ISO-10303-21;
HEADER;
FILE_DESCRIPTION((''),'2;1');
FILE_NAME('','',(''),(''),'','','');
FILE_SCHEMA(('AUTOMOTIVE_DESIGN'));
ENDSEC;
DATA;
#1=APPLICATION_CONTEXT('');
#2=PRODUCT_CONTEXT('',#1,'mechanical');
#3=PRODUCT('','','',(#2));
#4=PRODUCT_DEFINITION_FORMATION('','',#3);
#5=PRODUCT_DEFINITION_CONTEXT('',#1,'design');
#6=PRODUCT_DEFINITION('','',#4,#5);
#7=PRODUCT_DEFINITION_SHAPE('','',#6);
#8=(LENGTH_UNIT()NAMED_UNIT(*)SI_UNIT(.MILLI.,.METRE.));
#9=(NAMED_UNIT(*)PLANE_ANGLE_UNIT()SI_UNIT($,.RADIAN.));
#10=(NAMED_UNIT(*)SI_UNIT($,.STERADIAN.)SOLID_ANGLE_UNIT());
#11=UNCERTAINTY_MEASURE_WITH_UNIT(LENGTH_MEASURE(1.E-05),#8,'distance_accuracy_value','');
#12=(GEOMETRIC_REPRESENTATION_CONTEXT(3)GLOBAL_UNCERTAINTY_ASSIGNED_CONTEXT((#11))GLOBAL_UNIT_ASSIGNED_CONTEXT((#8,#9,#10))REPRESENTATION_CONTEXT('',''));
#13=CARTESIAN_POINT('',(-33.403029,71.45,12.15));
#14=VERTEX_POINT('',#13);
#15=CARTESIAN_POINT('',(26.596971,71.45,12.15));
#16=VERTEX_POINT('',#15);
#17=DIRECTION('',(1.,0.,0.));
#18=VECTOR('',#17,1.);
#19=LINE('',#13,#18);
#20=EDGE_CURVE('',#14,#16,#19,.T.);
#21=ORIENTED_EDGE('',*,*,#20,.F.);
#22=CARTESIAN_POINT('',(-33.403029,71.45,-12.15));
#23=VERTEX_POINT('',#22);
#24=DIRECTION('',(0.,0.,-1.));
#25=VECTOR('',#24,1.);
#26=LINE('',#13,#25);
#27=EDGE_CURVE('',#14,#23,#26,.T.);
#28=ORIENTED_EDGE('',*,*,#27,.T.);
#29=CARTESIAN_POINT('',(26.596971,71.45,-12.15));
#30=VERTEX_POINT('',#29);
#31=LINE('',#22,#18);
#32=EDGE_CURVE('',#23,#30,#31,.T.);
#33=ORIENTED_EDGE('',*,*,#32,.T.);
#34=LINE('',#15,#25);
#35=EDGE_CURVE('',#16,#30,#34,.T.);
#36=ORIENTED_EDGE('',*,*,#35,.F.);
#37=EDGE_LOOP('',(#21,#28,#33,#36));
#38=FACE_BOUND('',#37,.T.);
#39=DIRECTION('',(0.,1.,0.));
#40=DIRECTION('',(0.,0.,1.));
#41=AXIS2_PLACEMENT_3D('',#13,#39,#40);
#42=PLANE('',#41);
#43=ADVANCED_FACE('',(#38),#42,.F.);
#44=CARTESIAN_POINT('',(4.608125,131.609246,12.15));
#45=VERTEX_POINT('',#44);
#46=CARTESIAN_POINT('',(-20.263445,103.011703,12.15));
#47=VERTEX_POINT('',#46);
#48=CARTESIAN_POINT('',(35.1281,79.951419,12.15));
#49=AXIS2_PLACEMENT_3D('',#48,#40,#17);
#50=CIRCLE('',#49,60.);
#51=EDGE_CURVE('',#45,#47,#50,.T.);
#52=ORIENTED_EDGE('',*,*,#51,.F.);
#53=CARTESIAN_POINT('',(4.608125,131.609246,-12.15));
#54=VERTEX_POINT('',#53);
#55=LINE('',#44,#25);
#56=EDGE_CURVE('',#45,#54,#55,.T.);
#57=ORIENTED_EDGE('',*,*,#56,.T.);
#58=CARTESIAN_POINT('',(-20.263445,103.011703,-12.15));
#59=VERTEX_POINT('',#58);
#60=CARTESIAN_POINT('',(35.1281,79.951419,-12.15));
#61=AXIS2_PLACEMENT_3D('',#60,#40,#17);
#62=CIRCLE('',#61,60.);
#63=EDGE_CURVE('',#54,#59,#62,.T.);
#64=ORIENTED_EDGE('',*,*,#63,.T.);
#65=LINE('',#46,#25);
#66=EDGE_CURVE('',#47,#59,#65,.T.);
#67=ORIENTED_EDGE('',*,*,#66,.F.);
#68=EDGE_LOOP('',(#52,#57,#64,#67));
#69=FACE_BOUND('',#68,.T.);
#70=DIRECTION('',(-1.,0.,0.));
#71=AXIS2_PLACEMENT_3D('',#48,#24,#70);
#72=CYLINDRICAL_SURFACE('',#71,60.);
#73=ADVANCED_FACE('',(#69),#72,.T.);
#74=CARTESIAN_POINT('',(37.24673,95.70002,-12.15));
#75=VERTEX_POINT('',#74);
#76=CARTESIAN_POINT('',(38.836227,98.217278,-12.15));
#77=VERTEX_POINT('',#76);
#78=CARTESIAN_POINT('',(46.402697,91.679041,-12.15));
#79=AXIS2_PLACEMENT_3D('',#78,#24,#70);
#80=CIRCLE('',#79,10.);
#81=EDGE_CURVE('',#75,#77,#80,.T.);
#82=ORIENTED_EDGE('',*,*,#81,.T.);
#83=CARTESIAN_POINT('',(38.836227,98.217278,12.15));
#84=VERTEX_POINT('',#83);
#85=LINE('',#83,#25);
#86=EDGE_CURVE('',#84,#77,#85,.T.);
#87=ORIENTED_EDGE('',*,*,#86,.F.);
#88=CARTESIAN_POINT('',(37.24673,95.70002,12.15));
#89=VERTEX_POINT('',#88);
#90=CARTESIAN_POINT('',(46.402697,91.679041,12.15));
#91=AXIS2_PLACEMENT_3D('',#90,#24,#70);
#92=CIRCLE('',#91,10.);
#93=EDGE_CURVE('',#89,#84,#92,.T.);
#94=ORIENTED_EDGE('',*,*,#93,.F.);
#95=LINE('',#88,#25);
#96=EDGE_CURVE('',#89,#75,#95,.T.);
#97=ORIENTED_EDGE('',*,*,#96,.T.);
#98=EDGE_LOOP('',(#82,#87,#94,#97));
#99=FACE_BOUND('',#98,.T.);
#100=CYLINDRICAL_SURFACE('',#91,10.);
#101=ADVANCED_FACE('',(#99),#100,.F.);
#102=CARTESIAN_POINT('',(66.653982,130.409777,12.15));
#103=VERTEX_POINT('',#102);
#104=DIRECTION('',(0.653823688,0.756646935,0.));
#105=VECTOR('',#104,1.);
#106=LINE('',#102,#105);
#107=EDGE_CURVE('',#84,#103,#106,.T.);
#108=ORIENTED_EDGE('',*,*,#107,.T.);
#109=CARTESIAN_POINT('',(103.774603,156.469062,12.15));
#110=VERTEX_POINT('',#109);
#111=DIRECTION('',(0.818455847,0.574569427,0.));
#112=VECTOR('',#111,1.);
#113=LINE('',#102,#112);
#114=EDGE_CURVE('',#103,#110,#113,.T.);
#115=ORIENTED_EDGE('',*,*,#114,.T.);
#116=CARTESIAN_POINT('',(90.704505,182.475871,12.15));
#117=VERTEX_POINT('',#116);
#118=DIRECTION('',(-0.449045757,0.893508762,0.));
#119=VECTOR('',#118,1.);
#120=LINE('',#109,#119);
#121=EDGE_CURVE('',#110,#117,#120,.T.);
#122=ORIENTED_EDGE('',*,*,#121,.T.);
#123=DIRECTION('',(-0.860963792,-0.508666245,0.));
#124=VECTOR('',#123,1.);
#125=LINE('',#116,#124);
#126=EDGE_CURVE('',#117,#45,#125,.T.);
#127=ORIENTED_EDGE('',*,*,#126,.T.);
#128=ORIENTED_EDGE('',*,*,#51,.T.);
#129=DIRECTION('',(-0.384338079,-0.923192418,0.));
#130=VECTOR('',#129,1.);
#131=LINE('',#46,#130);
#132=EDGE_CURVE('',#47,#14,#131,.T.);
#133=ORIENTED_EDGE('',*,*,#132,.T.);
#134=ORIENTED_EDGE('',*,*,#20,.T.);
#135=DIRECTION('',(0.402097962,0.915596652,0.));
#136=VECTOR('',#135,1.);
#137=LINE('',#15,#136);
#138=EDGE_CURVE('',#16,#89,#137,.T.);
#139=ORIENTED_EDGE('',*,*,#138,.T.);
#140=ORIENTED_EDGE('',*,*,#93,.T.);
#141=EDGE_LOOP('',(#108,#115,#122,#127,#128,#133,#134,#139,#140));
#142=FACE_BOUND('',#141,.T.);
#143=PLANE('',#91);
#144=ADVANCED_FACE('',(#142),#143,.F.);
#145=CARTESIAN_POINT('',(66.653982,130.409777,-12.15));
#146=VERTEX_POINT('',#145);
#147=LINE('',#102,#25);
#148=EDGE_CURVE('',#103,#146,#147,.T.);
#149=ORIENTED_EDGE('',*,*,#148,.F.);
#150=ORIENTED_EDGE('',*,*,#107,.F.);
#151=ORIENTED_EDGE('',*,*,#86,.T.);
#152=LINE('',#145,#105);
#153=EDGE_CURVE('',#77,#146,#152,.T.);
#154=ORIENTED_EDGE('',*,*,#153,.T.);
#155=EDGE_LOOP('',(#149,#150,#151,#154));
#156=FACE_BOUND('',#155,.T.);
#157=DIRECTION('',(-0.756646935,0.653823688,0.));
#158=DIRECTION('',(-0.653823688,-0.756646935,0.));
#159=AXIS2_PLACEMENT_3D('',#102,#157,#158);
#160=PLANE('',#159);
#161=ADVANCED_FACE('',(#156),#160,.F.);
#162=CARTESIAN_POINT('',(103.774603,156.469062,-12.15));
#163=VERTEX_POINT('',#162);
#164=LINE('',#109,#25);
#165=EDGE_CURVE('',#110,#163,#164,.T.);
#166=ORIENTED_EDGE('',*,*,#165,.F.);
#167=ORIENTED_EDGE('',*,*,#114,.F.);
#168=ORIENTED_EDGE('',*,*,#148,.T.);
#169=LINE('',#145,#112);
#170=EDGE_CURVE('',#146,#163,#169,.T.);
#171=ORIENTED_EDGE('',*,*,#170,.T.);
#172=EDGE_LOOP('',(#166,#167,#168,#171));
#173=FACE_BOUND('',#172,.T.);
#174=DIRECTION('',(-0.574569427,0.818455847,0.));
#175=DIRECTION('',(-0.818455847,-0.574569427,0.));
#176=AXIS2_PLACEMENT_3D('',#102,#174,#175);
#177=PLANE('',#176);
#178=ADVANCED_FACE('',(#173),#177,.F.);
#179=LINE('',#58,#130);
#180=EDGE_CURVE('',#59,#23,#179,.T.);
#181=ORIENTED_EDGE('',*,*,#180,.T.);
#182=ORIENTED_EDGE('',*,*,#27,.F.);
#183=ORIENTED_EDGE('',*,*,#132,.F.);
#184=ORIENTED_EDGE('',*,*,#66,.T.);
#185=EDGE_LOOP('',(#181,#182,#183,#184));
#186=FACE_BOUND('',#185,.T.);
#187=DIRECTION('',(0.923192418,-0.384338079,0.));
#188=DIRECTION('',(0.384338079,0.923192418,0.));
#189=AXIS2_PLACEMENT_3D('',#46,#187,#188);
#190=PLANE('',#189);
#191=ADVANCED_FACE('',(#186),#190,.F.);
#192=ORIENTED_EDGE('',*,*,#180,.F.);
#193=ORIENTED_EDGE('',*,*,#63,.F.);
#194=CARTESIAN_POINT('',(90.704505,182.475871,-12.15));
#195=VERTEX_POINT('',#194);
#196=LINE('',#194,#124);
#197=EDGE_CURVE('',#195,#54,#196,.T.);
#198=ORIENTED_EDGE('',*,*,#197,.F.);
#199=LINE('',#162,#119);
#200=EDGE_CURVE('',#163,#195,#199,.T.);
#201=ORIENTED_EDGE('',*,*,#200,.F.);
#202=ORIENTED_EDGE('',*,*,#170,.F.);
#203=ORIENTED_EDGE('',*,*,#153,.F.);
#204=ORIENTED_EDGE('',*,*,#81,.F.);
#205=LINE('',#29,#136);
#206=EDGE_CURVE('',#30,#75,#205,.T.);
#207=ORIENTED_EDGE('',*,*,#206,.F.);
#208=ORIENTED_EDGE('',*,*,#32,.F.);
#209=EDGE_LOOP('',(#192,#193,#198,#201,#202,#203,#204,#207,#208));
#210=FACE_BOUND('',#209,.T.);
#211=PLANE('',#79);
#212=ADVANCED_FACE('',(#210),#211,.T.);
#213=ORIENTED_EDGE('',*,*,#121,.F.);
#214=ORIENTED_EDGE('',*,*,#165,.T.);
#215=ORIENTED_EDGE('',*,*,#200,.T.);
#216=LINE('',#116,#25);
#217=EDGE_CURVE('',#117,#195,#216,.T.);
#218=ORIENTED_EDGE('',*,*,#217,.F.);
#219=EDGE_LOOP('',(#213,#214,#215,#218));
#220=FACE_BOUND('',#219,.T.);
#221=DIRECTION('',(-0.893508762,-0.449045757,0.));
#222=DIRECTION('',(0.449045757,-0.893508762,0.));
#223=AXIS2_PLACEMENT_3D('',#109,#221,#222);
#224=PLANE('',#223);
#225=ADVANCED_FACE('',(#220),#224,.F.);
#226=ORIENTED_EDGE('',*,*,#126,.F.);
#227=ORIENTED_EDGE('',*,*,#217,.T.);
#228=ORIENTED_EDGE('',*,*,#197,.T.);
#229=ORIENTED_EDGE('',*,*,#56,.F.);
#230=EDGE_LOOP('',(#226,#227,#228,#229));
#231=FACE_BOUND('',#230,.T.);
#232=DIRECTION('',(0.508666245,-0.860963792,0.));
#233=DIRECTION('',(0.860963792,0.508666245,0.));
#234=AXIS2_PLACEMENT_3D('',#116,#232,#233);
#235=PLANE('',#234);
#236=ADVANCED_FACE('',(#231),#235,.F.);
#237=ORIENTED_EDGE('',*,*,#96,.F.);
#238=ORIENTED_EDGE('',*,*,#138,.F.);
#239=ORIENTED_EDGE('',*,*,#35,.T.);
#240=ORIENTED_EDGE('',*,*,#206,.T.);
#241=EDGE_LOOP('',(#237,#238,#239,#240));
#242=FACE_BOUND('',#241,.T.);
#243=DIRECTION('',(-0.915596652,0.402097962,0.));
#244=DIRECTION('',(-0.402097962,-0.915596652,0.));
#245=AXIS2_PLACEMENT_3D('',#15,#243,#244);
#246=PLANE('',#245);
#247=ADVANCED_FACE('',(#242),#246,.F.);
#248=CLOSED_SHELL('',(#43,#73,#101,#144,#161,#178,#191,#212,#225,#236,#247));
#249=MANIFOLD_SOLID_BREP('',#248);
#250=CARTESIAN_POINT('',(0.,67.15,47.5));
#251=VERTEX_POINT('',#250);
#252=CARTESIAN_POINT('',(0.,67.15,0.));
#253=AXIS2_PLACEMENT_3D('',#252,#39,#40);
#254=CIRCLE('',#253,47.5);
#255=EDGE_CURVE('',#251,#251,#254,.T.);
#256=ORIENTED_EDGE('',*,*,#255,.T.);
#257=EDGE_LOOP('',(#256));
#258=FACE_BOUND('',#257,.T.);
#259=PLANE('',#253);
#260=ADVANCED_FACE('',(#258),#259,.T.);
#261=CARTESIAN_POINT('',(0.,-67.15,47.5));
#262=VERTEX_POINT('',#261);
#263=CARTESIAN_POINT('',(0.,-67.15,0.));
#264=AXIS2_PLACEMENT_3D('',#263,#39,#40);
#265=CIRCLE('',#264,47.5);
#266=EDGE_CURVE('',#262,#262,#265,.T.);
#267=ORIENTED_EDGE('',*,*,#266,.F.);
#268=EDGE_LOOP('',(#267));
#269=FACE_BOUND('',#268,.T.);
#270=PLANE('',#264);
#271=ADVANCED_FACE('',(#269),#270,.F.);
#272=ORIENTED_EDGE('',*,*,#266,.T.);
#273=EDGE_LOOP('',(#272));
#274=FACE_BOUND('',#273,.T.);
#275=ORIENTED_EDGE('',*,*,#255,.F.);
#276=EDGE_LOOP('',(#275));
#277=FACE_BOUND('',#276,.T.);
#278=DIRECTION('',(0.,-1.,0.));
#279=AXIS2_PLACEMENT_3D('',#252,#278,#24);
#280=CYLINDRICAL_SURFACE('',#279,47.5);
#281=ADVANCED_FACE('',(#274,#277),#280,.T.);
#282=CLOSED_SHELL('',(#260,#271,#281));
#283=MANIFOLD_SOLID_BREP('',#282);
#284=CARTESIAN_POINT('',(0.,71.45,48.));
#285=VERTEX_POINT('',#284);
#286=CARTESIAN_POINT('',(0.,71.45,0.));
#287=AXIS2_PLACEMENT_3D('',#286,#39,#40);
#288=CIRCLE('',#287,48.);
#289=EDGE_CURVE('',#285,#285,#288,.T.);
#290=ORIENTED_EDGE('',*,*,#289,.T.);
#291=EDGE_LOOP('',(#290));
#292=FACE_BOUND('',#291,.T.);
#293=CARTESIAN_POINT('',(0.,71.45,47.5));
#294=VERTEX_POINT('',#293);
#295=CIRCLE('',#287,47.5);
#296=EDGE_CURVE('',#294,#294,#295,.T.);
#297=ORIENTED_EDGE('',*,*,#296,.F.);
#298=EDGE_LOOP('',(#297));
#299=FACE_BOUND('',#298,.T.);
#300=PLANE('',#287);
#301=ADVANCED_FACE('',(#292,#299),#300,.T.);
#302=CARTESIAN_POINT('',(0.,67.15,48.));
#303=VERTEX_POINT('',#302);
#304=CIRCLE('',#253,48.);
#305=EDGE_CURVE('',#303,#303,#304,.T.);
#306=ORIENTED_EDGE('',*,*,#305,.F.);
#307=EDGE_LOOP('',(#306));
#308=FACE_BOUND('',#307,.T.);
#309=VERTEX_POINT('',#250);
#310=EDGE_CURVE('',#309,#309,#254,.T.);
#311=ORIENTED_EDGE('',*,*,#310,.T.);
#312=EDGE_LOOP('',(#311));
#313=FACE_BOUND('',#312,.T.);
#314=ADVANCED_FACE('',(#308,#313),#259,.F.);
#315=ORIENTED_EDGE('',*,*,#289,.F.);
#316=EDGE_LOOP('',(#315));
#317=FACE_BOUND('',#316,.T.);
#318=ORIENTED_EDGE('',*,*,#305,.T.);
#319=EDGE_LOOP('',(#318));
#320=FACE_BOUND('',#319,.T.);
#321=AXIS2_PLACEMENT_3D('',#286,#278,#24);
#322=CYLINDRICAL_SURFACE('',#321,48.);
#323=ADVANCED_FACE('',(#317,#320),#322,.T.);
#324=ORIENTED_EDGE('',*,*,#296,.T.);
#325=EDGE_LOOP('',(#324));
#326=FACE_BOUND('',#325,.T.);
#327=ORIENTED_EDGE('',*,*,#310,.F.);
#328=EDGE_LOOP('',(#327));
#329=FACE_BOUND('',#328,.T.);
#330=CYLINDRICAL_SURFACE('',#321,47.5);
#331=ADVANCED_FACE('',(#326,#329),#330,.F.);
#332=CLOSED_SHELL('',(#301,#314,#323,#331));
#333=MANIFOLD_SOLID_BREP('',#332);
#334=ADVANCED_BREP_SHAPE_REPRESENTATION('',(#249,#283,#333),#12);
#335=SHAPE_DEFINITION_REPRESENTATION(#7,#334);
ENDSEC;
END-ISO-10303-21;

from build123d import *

# Parameters (mm, degrees)
SKETCH2_R           = 47.5
BOSS_EXTRUDE1_DEPTH = 67.15
SKETCH3_R           = 48
SKETCH3_R_2         = 47.5
BOSS_EXTRUDE2_DEPTH = 4.3
BOSS_EXTRUDE3_DEPTH = 12.15


with BuildPart() as part:
    # Sketch2 → Boss-Extrude1 (new body, symmetric)
    with BuildSketch(Plane(origin=(0, 0, 0), x_dir=(1, 0, 0), z_dir=(0, 1, 0))):
        Circle(SKETCH2_R)
    extrude(amount=BOSS_EXTRUDE1_DEPTH, both=True)


with BuildPart() as body_2:
    # Sketch3 → Boss-Extrude2 (new body)
    with BuildSketch(Plane(origin=(0, 67.15, 0), x_dir=(1, 0, 0), z_dir=(0, 1, 0))):
        Circle(SKETCH3_R)
        Circle(SKETCH3_R_2, mode=Mode.SUBTRACT)
    extrude(amount=BOSS_EXTRUDE2_DEPTH)


with BuildPart() as body_3:
    # Sketch4 → Boss-Extrude3 (new body, symmetric)
    with BuildSketch(Plane.XY):
        with BuildLine():
            Line((103.774602703, 156.469061848), (90.704504596, 182.475870743))
            Line((90.704504596, 182.475870743), (4.608125409, 131.609246215))
            ThreePointArc((4.608125409, 131.609246215), (-10.144984286, 119.325875242), (-20.263444967, 103.01170344))
            Line((-20.263444967, 103.01170344), (-33.403029121, 71.45))
            Line((-33.403029121, 71.45), (26.596970879, 71.45))
            Line((26.596970879, 71.45), (37.246730037, 95.700020494))
            ThreePointArc((37.246730037, 95.700020494), (37.947277501, 97.018131489), (38.836227203, 98.217277755))
            Line((38.836227203, 98.217277755), (66.653981734, 130.409777174))
            Line((66.653981734, 130.409777174), (103.774602703, 156.469061848))
        make_face()
    extrude(amount=BOSS_EXTRUDE3_DEPTH, both=True)


solid = Compound([part.part, body_2.part, body_3.part])
